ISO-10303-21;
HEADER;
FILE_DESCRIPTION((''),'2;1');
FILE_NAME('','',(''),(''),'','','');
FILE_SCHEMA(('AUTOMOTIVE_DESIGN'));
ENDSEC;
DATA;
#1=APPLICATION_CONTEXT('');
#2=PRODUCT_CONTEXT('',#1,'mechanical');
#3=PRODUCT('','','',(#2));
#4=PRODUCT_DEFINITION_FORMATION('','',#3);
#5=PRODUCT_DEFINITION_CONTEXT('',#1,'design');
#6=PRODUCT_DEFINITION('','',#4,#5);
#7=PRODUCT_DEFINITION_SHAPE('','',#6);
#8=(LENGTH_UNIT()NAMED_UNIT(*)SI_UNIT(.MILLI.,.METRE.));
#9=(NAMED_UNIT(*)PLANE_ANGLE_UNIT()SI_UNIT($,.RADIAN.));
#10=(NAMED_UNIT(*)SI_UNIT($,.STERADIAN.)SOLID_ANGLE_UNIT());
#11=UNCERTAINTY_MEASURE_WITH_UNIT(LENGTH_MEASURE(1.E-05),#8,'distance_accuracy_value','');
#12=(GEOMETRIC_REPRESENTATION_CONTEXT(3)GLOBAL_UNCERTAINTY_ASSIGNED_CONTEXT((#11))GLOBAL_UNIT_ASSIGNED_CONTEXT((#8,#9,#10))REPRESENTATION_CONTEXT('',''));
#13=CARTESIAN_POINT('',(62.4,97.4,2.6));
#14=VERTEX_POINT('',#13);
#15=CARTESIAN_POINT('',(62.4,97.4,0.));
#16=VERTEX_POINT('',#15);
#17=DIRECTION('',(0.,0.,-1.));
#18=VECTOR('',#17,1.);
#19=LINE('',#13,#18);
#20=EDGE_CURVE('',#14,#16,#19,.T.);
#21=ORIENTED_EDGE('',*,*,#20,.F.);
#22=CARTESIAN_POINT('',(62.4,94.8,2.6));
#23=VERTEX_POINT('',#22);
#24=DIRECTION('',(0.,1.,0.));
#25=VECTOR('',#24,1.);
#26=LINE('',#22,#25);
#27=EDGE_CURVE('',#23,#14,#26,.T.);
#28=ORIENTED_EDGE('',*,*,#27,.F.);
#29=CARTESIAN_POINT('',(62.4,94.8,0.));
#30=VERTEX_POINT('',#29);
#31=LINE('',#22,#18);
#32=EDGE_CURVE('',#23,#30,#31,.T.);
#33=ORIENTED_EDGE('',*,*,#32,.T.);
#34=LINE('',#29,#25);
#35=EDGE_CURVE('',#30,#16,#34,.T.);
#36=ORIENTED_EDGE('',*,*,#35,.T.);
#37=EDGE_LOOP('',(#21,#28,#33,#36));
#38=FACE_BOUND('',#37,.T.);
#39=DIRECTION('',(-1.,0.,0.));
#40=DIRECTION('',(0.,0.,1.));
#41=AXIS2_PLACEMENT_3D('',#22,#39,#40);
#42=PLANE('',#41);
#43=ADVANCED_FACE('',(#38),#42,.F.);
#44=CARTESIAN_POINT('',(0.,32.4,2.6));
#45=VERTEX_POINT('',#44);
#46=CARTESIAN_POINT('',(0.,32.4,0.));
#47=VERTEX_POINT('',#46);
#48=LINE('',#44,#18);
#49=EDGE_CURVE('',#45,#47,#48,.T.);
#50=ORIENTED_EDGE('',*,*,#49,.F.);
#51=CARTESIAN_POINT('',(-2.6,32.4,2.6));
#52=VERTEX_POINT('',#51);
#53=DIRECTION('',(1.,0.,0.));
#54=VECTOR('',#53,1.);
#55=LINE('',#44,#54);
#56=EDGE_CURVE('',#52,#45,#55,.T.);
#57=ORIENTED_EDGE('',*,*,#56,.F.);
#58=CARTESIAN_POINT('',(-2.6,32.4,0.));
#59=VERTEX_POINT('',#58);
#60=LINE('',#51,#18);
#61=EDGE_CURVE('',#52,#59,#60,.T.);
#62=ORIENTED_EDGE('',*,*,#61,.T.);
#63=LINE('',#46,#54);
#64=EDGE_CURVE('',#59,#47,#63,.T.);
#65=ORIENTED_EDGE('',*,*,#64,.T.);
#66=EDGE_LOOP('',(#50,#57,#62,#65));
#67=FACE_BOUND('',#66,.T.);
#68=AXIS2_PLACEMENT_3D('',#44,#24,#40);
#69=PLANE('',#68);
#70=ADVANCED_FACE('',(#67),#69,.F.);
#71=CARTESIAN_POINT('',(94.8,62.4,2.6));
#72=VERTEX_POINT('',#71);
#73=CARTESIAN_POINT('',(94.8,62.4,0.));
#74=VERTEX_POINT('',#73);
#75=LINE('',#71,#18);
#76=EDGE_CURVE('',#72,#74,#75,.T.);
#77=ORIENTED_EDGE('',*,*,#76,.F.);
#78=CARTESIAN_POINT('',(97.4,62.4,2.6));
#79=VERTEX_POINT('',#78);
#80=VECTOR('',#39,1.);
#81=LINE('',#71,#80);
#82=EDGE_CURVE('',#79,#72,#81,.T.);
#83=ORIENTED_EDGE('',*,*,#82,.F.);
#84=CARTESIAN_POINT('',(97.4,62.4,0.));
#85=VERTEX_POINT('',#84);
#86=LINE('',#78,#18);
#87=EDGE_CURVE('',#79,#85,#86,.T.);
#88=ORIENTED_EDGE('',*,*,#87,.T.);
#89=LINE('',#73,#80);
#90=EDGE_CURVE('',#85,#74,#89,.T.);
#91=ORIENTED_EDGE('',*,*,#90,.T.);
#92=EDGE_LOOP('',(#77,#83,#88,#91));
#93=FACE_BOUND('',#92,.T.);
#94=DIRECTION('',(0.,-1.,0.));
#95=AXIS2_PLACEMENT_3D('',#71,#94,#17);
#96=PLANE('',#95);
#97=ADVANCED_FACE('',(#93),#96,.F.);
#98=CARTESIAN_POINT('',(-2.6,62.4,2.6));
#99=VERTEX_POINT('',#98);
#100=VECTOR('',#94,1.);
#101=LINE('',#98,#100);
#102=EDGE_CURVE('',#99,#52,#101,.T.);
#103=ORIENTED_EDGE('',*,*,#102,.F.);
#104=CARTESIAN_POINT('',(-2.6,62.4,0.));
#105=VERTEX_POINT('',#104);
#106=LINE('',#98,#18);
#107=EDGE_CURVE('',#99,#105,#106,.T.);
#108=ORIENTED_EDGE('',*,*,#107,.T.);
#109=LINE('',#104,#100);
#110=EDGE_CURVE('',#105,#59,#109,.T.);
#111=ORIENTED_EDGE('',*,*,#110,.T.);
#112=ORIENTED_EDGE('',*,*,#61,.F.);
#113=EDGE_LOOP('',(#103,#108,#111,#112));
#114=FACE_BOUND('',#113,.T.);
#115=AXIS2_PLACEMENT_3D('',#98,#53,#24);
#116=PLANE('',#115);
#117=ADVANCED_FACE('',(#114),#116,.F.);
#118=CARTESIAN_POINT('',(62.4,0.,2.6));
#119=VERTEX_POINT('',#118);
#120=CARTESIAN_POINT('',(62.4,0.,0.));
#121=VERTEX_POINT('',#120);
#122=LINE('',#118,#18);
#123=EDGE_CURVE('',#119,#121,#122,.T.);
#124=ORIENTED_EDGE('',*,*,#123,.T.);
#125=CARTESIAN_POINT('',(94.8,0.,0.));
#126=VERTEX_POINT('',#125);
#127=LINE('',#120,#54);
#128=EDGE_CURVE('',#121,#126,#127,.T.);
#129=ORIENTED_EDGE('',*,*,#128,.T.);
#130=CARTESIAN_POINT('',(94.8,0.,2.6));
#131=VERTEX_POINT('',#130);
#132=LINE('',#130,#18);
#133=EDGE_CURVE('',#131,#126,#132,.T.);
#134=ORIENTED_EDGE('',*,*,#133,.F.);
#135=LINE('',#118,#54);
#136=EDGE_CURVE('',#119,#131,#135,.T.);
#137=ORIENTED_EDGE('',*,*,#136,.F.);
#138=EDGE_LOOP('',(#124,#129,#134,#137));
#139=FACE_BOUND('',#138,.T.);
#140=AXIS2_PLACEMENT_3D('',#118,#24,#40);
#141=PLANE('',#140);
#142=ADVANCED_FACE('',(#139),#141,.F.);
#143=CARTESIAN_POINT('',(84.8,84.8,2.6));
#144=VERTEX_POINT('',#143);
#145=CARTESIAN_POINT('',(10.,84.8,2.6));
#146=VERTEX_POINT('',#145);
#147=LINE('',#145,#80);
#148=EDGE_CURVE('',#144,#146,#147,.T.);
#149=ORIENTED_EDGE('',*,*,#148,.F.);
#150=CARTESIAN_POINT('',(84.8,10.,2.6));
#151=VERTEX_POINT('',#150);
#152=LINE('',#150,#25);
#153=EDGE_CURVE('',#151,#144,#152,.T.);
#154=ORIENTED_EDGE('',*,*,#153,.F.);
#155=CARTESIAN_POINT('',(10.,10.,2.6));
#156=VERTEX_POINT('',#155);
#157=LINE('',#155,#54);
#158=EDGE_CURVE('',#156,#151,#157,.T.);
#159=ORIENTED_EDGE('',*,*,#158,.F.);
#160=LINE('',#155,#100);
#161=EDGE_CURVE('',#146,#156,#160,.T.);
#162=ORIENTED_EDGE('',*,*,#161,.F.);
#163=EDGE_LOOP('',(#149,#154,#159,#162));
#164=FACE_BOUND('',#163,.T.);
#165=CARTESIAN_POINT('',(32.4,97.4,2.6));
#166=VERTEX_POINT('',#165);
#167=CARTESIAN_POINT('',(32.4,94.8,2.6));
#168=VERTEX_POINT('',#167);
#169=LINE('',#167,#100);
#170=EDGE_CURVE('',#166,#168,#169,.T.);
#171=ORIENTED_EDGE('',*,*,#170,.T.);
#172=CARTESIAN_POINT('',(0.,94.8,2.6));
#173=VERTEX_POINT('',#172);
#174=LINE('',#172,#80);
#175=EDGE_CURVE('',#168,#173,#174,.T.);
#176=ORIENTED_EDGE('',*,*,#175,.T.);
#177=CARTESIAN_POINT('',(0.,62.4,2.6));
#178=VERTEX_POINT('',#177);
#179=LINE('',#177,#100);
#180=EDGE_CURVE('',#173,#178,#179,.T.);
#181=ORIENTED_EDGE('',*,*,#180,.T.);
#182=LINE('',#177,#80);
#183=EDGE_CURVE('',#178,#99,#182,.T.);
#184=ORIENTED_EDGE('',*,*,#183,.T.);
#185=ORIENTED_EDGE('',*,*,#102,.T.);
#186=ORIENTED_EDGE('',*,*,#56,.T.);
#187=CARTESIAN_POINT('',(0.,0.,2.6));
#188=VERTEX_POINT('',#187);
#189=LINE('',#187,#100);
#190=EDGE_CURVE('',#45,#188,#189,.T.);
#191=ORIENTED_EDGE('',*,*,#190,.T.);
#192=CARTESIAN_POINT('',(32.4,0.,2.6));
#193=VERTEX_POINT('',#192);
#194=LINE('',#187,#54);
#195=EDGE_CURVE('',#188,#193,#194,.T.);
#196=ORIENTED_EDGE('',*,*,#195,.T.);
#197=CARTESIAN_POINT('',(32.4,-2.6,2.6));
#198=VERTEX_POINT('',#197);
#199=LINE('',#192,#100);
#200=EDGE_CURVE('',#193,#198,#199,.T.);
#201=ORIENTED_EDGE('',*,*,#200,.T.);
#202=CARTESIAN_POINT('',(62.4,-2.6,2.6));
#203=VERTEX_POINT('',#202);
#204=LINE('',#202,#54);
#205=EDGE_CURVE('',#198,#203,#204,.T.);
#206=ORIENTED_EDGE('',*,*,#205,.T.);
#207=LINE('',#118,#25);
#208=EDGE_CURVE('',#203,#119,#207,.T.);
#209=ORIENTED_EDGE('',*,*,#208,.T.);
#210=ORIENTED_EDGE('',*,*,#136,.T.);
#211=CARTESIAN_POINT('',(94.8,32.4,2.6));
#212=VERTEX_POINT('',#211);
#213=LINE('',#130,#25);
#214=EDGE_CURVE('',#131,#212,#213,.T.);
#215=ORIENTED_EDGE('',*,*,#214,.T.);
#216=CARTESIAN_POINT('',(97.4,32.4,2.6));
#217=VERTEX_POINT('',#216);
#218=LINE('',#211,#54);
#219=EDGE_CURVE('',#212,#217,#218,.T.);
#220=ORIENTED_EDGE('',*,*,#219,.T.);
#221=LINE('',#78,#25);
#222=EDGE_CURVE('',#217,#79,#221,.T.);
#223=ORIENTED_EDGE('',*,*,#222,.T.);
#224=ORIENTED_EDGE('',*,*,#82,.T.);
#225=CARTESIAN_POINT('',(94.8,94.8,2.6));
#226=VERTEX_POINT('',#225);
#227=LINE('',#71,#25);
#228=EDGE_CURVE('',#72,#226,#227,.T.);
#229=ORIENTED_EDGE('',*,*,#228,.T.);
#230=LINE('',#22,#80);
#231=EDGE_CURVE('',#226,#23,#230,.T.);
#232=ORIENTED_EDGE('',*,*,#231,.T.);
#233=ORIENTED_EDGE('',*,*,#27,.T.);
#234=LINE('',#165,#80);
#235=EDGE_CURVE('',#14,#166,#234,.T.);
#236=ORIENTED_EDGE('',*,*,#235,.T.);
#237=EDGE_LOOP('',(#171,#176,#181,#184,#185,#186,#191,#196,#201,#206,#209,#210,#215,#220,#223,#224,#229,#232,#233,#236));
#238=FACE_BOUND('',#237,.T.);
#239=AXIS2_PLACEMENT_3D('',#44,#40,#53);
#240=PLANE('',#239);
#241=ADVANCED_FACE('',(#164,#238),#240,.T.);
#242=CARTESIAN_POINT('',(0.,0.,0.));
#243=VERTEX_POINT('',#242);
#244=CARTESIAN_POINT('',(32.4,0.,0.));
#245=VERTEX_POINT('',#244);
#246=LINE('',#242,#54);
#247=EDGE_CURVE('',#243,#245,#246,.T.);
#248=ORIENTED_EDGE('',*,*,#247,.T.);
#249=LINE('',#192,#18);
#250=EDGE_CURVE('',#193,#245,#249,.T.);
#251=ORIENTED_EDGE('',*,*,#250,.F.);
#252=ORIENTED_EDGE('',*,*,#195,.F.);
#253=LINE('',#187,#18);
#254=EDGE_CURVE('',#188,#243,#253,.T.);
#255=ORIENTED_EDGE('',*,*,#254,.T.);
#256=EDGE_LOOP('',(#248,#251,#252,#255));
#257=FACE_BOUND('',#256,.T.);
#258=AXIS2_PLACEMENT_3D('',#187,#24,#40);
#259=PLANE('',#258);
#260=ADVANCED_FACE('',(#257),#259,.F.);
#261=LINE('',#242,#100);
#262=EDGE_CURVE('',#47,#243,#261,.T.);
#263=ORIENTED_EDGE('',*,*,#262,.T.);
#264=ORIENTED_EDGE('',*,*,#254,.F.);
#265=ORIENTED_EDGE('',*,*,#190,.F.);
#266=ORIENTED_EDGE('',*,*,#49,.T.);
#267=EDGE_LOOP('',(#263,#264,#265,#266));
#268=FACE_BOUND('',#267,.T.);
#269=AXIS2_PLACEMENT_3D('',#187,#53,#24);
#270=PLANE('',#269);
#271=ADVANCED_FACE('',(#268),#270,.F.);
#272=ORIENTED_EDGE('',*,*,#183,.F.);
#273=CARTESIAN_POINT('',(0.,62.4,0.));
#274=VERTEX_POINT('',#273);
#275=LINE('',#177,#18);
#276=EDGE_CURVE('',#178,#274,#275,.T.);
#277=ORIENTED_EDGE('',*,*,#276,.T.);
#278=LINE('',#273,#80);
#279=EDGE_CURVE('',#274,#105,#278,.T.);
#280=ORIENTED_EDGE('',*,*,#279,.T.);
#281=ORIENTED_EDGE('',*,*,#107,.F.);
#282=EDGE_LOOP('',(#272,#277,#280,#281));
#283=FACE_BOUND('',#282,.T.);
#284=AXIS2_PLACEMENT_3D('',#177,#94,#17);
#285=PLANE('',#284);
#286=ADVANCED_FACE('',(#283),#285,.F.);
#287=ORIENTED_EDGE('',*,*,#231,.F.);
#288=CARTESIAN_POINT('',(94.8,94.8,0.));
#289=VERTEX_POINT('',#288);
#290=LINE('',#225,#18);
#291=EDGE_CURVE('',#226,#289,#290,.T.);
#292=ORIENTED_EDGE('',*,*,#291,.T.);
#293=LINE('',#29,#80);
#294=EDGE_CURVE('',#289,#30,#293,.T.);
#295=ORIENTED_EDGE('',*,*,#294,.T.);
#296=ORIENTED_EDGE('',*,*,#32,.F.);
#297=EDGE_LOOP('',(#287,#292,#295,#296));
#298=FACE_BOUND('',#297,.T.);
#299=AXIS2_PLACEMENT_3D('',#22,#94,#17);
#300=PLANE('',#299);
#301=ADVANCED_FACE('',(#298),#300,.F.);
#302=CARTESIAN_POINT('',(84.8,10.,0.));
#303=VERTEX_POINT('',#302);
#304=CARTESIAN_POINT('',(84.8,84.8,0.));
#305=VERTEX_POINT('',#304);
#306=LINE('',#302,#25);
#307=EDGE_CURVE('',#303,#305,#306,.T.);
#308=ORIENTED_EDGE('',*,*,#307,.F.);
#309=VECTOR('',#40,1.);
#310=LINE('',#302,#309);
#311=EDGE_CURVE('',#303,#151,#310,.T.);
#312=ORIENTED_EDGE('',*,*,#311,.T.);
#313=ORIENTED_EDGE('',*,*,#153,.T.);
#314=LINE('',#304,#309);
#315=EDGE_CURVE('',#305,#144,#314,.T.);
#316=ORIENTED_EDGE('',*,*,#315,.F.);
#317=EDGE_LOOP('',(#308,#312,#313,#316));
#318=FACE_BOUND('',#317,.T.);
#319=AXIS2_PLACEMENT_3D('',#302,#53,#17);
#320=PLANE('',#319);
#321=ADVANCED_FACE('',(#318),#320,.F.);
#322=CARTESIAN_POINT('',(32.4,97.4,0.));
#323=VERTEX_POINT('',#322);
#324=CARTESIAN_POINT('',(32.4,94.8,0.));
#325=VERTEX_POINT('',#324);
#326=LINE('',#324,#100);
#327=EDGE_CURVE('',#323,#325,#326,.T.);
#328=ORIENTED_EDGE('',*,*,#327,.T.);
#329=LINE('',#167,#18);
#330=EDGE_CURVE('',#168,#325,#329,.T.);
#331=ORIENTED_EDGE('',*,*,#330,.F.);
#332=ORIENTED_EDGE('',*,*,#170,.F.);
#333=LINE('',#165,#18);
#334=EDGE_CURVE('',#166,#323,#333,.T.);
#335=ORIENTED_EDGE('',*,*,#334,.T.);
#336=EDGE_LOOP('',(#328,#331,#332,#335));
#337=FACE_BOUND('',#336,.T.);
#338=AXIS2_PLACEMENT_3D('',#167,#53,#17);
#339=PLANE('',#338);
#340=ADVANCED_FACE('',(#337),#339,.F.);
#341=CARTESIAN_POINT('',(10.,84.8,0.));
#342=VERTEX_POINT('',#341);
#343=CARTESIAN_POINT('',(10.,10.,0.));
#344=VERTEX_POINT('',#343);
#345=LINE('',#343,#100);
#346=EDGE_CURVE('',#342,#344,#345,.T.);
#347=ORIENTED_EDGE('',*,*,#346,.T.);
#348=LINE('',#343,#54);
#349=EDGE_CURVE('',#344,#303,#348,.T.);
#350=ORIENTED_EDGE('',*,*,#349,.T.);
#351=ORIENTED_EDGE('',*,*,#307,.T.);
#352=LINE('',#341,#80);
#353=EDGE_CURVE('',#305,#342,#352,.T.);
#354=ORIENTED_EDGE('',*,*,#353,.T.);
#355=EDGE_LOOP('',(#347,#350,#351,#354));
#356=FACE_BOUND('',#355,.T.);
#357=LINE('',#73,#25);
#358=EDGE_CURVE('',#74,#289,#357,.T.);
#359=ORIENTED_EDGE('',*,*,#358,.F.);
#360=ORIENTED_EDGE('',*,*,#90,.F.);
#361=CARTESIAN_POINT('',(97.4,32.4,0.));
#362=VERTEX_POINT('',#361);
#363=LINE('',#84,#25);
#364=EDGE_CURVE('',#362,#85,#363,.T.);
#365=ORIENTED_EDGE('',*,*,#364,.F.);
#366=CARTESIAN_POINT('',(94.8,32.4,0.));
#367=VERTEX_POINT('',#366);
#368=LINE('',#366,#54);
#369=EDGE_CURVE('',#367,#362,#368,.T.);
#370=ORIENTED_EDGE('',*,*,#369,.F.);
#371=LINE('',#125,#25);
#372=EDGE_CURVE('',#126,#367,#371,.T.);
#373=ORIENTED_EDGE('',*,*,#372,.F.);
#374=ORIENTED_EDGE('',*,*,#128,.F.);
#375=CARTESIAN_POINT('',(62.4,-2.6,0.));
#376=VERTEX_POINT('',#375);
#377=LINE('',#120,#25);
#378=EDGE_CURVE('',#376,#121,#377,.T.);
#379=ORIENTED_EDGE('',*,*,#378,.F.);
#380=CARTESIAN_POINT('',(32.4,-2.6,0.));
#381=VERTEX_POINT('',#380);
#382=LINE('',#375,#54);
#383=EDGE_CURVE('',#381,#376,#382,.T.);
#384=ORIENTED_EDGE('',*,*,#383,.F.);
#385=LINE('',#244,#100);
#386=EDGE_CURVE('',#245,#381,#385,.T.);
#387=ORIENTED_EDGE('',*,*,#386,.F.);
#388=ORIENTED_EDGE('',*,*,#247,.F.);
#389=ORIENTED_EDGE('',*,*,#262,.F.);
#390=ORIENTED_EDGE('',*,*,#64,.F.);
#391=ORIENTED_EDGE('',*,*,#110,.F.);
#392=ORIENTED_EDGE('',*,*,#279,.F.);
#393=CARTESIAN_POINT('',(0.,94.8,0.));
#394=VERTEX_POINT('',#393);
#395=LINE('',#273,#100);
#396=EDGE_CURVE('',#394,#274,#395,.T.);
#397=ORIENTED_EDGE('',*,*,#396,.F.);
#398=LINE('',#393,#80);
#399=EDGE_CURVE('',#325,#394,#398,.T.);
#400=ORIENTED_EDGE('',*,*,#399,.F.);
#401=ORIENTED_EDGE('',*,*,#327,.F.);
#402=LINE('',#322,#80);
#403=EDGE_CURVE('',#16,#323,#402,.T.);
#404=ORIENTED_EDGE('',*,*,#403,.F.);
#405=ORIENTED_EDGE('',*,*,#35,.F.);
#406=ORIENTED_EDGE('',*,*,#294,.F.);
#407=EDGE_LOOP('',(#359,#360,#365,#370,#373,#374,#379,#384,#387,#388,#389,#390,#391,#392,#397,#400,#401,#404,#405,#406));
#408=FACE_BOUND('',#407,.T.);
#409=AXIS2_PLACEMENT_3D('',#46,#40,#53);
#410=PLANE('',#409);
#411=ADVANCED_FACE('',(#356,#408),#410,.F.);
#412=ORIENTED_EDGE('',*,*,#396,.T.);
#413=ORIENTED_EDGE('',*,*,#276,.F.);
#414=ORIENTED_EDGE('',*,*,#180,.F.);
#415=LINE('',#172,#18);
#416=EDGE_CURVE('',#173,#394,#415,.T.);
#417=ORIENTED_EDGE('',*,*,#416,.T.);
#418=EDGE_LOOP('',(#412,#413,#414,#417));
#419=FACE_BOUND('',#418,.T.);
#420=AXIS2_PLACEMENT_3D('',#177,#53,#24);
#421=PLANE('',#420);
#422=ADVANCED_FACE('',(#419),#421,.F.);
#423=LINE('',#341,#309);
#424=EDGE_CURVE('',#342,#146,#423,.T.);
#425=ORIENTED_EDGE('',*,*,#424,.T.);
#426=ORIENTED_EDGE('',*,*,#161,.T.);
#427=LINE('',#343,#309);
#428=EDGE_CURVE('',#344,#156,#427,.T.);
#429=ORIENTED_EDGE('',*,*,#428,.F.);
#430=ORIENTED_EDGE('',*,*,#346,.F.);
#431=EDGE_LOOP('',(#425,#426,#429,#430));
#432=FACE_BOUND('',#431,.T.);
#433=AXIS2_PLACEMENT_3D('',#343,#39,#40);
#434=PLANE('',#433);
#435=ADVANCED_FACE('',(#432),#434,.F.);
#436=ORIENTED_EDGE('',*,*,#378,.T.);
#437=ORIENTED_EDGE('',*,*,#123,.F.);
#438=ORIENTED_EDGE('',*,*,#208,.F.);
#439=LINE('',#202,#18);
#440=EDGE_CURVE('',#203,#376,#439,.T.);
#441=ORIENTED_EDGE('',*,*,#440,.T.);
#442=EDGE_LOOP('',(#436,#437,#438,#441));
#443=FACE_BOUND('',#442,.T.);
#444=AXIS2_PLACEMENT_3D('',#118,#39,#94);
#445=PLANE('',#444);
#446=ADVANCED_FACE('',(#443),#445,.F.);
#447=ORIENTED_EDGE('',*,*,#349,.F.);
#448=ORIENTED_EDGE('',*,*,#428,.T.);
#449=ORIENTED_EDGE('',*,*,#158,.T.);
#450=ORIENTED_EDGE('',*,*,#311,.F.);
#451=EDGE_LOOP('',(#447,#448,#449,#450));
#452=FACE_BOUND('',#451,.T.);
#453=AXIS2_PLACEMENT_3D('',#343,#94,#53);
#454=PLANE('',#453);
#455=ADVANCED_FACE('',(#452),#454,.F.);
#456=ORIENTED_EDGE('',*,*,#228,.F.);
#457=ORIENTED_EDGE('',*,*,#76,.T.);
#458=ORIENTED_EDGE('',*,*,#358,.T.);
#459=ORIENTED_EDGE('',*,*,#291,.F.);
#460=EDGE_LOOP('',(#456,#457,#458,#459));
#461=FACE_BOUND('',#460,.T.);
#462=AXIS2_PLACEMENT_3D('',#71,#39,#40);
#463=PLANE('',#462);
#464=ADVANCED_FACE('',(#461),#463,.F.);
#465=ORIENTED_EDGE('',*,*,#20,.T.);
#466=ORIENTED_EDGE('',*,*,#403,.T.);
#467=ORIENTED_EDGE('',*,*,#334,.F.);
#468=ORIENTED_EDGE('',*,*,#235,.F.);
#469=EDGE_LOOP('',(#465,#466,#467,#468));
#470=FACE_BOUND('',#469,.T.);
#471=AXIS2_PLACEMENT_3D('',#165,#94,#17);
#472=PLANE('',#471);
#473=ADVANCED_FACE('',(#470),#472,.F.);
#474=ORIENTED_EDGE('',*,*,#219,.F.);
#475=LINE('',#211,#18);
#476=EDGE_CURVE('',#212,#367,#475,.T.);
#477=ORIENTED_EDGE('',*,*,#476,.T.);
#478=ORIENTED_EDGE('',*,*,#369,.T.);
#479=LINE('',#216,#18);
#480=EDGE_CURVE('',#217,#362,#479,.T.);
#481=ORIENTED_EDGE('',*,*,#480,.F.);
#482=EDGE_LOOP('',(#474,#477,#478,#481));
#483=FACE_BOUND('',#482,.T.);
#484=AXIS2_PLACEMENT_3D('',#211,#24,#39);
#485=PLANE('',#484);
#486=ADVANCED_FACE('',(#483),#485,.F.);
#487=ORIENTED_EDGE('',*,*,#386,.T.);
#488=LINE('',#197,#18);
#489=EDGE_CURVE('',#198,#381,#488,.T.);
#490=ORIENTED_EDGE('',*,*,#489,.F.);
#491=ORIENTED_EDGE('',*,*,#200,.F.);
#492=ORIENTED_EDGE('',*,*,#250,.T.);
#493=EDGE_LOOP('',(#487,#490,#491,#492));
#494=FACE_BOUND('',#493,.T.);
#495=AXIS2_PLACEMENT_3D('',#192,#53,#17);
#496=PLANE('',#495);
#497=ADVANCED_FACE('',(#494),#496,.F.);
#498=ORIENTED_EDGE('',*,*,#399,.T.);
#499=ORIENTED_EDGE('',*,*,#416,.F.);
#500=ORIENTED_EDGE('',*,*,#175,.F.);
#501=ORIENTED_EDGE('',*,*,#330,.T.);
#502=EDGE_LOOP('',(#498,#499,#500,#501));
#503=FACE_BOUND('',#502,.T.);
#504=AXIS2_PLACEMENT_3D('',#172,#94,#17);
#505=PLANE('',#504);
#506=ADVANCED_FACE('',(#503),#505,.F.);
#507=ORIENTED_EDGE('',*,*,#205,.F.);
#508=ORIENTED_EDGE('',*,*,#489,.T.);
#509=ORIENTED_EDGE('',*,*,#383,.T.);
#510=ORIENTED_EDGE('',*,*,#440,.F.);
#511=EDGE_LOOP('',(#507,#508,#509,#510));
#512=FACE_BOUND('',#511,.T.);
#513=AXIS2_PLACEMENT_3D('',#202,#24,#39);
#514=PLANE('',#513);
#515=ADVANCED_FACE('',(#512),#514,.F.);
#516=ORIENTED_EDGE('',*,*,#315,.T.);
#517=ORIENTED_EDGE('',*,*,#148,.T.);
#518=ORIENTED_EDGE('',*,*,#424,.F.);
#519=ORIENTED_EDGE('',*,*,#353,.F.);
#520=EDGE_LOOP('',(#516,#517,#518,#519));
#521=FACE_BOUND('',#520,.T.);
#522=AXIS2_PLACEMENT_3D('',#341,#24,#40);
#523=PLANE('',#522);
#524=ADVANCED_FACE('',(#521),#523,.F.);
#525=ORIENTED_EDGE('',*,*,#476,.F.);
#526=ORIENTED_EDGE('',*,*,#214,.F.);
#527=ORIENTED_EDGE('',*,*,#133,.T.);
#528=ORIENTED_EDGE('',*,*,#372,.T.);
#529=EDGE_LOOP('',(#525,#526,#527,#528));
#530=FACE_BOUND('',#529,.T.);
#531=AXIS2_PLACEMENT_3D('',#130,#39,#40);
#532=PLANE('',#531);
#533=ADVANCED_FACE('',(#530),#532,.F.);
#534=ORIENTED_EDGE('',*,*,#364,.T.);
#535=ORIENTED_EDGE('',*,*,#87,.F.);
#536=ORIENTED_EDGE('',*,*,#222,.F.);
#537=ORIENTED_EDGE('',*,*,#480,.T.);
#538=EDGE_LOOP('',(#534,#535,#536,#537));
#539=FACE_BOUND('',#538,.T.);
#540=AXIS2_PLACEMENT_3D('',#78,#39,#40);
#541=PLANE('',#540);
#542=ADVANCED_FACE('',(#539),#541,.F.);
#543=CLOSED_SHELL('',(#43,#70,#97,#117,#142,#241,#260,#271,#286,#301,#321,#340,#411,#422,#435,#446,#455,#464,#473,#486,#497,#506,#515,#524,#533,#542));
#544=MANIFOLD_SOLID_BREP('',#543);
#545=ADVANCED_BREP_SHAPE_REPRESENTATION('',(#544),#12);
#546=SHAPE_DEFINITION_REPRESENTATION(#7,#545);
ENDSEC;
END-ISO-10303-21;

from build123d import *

# Parameters (mm, degrees)
BOSS_EXTRUDE2_DEPTH = 2.6
SKETCH4_W           = 74.8
SKETCH4_H           = 74.8
CUT_EXTRUDE1_DEPTH  = 3.6


with BuildPart() as part:
    # Sketch3 → Boss-Extrude2 (new body)
    with BuildSketch(Plane.XY):
        Polygon((62.4, 94.8), (94.8, 94.8), (94.8, 62.4), (97.4, 62.4), (97.4, 32.4), (94.8, 32.4), (94.8, 0), (62.4, 0), (62.4, -2.6), (32.4, -2.6), (32.4, 0), (0, 0), (0, 32.4), (-2.6, 32.4), (-2.6, 62.4), (0, 62.4), (0, 94.8), (32.4, 94.8), (32.4, 97.4), (62.4, 97.4), align=None)
    extrude(amount=BOSS_EXTRUDE2_DEPTH)

    # Sketch4 → Cut-Extrude1 (cut, through all)
    with BuildSketch(Plane.XY.offset(2.6)):
        with Locations((47.4, 47.4)):
            Rectangle(SKETCH4_W, SKETCH4_H)
    extrude(amount=-CUT_EXTRUDE1_DEPTH, mode=Mode.SUBTRACT)


solid = part.part
